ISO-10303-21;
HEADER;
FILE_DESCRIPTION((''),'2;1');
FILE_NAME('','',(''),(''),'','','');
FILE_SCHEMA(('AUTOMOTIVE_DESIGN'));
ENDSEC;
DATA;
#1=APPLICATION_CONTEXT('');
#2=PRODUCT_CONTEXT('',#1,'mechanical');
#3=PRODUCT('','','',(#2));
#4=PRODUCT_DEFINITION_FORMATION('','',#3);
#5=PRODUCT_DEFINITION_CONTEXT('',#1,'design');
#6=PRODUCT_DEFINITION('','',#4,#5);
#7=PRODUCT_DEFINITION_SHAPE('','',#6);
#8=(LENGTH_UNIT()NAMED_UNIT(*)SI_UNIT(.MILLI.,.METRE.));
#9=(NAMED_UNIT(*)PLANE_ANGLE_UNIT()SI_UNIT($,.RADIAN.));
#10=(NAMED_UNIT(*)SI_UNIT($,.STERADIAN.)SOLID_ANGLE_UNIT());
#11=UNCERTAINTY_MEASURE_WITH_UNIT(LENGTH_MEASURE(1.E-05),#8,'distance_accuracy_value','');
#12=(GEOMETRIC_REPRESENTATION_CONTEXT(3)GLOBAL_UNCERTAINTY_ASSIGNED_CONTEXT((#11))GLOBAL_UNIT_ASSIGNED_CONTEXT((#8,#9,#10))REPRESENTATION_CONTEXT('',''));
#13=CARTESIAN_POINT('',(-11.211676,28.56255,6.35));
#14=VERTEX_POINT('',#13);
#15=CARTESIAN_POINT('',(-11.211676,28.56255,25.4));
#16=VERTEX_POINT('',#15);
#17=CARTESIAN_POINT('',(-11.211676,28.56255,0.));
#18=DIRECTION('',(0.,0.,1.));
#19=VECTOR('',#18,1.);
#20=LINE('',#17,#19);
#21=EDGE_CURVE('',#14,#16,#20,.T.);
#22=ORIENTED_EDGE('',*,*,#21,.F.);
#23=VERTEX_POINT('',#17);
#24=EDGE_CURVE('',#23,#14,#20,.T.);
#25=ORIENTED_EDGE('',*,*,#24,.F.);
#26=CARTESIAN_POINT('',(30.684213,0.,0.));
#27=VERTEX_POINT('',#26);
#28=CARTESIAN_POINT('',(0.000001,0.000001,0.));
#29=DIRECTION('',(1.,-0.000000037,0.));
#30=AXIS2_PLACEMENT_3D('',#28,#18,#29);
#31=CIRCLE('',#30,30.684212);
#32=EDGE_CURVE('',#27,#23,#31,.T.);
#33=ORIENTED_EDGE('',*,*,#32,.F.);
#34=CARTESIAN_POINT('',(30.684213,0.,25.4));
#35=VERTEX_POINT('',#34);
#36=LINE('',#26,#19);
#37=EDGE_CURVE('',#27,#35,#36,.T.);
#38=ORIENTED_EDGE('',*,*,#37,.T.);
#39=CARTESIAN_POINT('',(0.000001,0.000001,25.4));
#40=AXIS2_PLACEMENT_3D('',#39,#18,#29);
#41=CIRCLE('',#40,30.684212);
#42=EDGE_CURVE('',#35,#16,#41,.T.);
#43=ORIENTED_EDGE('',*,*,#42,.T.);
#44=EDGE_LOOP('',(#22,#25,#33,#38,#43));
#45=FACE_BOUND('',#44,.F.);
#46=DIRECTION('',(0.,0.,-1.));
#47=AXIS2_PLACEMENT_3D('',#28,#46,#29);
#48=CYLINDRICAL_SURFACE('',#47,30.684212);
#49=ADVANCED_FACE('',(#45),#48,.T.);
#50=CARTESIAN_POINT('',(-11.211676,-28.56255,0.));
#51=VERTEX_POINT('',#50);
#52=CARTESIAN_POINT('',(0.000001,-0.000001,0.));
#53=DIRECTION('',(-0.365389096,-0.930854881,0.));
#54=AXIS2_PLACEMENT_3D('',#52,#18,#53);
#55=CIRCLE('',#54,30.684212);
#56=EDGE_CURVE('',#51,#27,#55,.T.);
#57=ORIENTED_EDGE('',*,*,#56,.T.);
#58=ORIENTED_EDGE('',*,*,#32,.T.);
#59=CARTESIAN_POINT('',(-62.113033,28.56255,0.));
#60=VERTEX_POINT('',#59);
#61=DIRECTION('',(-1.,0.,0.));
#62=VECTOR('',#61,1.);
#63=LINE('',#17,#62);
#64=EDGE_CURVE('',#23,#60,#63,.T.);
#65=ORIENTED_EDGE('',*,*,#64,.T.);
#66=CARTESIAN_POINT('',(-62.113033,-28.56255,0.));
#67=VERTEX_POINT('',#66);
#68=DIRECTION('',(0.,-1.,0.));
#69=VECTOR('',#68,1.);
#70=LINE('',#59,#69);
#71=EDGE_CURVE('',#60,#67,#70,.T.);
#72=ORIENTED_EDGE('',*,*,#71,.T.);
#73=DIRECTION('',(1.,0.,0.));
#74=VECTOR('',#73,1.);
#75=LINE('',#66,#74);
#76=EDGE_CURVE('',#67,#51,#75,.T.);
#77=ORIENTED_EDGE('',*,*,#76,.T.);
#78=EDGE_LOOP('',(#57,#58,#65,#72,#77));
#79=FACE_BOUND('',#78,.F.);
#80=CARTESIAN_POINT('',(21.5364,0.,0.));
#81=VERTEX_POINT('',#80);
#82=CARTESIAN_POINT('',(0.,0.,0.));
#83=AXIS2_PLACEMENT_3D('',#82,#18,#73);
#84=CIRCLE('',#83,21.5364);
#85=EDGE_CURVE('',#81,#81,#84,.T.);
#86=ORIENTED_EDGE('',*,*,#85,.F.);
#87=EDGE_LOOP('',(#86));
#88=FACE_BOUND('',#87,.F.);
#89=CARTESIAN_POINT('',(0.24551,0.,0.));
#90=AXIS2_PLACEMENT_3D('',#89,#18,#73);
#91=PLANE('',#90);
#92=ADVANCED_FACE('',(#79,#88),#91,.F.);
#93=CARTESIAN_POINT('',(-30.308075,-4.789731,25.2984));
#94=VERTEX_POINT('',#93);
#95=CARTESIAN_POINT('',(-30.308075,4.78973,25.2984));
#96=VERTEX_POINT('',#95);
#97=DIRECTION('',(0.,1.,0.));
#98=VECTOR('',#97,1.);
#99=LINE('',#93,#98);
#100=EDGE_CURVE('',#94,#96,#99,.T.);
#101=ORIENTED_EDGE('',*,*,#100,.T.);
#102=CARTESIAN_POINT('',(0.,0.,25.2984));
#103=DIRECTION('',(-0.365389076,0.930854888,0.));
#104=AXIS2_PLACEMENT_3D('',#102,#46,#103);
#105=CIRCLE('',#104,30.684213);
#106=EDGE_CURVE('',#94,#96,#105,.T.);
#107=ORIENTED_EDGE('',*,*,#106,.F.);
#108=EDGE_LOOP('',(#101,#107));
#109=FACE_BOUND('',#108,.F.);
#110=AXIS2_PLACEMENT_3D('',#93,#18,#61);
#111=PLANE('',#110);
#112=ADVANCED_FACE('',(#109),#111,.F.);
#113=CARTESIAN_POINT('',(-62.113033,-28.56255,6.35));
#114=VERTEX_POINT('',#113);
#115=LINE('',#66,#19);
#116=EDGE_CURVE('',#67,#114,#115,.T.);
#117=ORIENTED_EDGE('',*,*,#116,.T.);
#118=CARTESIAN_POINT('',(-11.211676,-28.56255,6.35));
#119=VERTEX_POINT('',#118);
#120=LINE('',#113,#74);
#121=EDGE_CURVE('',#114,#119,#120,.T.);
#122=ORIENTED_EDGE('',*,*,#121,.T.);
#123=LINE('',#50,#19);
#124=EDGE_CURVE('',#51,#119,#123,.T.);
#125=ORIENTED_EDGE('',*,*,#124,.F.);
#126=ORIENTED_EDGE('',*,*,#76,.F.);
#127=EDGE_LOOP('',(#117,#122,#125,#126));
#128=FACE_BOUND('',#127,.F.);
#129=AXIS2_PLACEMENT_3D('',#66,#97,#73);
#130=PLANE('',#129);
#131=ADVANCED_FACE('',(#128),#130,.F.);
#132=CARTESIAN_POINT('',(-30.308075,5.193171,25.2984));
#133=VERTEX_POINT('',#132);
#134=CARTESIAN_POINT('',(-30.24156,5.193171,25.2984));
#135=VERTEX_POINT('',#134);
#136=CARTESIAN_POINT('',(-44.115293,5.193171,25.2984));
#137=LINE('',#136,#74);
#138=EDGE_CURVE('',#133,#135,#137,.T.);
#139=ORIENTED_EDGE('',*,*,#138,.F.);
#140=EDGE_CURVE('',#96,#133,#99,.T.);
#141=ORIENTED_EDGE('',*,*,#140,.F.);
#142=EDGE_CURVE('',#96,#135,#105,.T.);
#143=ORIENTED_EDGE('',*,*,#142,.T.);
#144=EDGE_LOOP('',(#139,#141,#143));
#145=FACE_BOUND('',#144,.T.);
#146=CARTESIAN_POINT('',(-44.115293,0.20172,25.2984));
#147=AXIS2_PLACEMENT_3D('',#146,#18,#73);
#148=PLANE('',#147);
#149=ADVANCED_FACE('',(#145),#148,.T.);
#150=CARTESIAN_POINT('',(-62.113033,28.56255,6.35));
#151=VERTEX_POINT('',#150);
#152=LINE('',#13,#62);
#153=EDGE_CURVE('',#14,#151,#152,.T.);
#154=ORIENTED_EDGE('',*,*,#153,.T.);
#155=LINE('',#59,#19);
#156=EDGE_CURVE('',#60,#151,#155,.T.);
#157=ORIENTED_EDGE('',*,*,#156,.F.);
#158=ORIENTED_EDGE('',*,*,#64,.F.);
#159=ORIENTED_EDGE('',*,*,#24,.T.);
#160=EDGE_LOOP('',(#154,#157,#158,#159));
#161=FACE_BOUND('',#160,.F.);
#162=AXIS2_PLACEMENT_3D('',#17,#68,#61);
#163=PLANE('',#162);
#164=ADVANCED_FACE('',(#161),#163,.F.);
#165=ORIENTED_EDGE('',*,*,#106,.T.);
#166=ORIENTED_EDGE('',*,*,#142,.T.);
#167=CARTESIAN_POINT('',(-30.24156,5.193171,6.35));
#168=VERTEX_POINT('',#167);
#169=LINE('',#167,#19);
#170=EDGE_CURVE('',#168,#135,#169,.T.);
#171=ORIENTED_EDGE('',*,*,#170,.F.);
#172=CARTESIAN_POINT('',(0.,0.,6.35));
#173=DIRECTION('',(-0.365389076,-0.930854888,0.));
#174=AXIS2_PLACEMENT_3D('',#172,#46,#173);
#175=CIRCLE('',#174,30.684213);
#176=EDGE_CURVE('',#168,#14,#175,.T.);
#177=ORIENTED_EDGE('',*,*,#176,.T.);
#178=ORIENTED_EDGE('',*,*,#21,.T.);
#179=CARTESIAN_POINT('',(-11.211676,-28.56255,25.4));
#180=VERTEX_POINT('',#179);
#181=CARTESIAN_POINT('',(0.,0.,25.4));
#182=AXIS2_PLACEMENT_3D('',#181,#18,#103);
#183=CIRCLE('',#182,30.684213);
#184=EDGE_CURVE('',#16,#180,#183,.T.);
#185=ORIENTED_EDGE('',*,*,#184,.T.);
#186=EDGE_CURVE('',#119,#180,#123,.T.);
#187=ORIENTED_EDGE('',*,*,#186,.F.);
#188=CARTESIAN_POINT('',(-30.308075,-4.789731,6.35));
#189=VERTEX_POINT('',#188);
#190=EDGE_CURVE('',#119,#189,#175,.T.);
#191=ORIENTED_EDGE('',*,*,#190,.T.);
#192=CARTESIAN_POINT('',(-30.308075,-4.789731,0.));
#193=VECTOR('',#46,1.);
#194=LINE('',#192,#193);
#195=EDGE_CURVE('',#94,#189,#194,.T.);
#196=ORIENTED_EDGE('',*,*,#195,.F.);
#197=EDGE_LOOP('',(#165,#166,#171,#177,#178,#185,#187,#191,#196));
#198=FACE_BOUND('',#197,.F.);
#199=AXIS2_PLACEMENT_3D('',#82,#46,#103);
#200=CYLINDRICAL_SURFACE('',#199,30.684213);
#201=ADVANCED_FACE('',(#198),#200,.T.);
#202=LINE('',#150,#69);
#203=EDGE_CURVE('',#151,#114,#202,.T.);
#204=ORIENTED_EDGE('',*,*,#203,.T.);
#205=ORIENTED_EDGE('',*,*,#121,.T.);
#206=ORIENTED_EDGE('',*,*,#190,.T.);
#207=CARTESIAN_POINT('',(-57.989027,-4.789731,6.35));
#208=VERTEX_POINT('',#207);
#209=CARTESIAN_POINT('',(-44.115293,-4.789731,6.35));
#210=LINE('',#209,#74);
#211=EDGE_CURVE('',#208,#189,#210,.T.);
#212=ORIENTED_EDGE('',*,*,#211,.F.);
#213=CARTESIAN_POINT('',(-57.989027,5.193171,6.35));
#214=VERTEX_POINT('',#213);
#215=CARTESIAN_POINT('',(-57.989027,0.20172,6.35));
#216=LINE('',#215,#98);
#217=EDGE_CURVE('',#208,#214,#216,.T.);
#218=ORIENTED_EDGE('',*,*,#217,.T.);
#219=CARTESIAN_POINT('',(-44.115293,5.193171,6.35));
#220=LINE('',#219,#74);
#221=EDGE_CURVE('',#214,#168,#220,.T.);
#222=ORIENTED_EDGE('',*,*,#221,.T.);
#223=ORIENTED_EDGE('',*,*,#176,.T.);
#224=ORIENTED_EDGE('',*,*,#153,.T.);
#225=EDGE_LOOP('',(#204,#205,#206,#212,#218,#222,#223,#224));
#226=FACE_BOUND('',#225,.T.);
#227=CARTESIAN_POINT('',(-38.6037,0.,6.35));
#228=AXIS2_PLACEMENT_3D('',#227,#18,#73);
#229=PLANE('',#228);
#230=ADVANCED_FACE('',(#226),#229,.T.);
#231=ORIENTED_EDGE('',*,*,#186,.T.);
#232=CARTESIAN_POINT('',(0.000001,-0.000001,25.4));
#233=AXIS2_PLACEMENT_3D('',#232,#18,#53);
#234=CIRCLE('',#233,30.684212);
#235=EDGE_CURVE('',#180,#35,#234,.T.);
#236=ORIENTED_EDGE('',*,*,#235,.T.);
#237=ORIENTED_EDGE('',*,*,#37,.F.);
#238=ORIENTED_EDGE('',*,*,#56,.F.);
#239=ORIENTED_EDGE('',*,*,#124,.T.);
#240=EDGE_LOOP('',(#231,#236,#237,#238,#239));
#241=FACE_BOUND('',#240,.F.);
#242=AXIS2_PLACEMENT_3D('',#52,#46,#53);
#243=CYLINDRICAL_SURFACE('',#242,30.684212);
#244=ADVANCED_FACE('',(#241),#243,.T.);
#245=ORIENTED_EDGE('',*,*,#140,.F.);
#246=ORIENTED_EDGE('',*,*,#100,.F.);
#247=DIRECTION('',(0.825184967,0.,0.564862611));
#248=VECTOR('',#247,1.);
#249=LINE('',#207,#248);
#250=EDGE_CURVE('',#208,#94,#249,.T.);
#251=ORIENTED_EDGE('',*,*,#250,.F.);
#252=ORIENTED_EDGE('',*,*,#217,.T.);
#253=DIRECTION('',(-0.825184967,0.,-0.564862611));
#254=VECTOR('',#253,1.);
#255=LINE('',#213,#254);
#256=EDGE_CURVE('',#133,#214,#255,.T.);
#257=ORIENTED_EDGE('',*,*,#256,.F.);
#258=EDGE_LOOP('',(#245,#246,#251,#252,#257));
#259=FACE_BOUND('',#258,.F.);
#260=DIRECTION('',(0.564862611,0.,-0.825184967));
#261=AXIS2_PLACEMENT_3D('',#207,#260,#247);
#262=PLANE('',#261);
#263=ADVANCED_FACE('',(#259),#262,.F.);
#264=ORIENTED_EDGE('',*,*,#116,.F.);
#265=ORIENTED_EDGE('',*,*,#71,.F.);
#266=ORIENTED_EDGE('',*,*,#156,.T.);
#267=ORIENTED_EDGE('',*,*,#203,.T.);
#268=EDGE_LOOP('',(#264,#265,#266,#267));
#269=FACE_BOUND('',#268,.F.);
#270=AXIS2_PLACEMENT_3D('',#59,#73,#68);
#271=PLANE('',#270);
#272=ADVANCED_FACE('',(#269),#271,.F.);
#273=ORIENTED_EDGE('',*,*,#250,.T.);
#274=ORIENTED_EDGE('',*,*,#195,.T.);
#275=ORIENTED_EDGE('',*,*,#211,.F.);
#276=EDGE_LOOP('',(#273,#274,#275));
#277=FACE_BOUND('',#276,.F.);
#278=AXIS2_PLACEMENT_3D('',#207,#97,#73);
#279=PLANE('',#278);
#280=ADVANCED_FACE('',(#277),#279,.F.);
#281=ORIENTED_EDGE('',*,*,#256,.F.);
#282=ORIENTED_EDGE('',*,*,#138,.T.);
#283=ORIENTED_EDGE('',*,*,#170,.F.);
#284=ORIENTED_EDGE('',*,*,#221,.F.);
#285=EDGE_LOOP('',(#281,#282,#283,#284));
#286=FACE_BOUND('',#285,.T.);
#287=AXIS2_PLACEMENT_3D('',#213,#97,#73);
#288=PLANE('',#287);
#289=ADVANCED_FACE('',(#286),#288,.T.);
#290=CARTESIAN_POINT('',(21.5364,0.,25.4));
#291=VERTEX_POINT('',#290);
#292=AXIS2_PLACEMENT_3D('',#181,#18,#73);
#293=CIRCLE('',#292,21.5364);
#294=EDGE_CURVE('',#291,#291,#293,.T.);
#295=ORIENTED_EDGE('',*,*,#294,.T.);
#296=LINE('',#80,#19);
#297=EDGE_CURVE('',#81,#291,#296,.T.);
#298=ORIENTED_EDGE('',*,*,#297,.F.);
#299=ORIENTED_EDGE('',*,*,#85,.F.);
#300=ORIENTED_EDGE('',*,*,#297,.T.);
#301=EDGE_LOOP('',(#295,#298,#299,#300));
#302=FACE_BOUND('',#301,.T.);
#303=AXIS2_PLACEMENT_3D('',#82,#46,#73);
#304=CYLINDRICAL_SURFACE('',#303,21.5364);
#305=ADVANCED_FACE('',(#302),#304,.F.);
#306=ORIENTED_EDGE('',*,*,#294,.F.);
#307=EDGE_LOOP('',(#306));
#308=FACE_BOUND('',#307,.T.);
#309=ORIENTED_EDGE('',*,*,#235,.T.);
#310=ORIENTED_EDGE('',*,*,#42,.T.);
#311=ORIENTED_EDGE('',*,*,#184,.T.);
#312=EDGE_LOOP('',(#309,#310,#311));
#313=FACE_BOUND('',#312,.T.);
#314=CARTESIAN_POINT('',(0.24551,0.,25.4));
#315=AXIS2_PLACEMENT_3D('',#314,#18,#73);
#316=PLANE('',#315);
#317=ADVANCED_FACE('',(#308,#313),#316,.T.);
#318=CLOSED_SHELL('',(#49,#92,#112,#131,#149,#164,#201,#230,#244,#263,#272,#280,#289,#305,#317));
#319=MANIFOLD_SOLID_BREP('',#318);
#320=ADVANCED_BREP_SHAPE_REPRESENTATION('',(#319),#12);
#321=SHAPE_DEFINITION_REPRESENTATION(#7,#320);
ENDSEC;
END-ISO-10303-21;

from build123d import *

# Parameters (mm, degrees)
F1_DEPTH = 6.35
F0_R     = 21.5364
F2_DEPTH = 25.4
F3_W     = 27.747467
F3_H     = 9.982902
F4_DEPTH = 18.9484
F6_DEPTH = 25.4


with BuildPart() as f1:
    # F0 (on Top) → F1 (new body)
    with BuildSketch(Plane.XY):
        with BuildLine():
            ThreePointArc((-11.211676, -28.56255), (-30.684213, 0), (-11.211676, 28.56255))
            Line((-11.211676, 28.56255), (-62.113033, 28.56255))
            Line((-62.113033, 28.56255), (-62.113033, -28.56255))
            Line((-62.113033, -28.56255), (-11.211676, -28.56255))
        make_face()
    extrude(amount=F1_DEPTH)

    # F0 (on Top) → F2 (join)
    with BuildSketch(Plane.XY):
        with BuildLine():
            ThreePointArc((-11.211676, -28.56255), (17.284379, -25.352933), (30.684213, 0))
            ThreePointArc((30.684213, 0), (17.284379, 25.352933), (-11.211676, 28.56255))
            ThreePointArc((-11.211676, 28.56255), (-30.684213, 0), (-11.211676, -28.56255))
        make_face()
        Circle(F0_R, mode=Mode.SUBTRACT)
    extrude(amount=F2_DEPTH)

    # F3 (on face) → F4 (join)
    with BuildSketch(Plane.XY.offset(6.35)):
        with Locations((-44.115293, 0.20172)):
            Rectangle(F3_W, F3_H)
    extrude(amount=F4_DEPTH)

    # F5 (on face) → F6 (cut)
    with BuildSketch(Plane.XZ.offset(4.789731)):
        Polygon((-57.989027, 6.35), (-30.308075, 25.2984), (-57.989027, 25.2984), align=None)
    extrude(amount=-F6_DEPTH, mode=Mode.SUBTRACT)


solid = f1.part
